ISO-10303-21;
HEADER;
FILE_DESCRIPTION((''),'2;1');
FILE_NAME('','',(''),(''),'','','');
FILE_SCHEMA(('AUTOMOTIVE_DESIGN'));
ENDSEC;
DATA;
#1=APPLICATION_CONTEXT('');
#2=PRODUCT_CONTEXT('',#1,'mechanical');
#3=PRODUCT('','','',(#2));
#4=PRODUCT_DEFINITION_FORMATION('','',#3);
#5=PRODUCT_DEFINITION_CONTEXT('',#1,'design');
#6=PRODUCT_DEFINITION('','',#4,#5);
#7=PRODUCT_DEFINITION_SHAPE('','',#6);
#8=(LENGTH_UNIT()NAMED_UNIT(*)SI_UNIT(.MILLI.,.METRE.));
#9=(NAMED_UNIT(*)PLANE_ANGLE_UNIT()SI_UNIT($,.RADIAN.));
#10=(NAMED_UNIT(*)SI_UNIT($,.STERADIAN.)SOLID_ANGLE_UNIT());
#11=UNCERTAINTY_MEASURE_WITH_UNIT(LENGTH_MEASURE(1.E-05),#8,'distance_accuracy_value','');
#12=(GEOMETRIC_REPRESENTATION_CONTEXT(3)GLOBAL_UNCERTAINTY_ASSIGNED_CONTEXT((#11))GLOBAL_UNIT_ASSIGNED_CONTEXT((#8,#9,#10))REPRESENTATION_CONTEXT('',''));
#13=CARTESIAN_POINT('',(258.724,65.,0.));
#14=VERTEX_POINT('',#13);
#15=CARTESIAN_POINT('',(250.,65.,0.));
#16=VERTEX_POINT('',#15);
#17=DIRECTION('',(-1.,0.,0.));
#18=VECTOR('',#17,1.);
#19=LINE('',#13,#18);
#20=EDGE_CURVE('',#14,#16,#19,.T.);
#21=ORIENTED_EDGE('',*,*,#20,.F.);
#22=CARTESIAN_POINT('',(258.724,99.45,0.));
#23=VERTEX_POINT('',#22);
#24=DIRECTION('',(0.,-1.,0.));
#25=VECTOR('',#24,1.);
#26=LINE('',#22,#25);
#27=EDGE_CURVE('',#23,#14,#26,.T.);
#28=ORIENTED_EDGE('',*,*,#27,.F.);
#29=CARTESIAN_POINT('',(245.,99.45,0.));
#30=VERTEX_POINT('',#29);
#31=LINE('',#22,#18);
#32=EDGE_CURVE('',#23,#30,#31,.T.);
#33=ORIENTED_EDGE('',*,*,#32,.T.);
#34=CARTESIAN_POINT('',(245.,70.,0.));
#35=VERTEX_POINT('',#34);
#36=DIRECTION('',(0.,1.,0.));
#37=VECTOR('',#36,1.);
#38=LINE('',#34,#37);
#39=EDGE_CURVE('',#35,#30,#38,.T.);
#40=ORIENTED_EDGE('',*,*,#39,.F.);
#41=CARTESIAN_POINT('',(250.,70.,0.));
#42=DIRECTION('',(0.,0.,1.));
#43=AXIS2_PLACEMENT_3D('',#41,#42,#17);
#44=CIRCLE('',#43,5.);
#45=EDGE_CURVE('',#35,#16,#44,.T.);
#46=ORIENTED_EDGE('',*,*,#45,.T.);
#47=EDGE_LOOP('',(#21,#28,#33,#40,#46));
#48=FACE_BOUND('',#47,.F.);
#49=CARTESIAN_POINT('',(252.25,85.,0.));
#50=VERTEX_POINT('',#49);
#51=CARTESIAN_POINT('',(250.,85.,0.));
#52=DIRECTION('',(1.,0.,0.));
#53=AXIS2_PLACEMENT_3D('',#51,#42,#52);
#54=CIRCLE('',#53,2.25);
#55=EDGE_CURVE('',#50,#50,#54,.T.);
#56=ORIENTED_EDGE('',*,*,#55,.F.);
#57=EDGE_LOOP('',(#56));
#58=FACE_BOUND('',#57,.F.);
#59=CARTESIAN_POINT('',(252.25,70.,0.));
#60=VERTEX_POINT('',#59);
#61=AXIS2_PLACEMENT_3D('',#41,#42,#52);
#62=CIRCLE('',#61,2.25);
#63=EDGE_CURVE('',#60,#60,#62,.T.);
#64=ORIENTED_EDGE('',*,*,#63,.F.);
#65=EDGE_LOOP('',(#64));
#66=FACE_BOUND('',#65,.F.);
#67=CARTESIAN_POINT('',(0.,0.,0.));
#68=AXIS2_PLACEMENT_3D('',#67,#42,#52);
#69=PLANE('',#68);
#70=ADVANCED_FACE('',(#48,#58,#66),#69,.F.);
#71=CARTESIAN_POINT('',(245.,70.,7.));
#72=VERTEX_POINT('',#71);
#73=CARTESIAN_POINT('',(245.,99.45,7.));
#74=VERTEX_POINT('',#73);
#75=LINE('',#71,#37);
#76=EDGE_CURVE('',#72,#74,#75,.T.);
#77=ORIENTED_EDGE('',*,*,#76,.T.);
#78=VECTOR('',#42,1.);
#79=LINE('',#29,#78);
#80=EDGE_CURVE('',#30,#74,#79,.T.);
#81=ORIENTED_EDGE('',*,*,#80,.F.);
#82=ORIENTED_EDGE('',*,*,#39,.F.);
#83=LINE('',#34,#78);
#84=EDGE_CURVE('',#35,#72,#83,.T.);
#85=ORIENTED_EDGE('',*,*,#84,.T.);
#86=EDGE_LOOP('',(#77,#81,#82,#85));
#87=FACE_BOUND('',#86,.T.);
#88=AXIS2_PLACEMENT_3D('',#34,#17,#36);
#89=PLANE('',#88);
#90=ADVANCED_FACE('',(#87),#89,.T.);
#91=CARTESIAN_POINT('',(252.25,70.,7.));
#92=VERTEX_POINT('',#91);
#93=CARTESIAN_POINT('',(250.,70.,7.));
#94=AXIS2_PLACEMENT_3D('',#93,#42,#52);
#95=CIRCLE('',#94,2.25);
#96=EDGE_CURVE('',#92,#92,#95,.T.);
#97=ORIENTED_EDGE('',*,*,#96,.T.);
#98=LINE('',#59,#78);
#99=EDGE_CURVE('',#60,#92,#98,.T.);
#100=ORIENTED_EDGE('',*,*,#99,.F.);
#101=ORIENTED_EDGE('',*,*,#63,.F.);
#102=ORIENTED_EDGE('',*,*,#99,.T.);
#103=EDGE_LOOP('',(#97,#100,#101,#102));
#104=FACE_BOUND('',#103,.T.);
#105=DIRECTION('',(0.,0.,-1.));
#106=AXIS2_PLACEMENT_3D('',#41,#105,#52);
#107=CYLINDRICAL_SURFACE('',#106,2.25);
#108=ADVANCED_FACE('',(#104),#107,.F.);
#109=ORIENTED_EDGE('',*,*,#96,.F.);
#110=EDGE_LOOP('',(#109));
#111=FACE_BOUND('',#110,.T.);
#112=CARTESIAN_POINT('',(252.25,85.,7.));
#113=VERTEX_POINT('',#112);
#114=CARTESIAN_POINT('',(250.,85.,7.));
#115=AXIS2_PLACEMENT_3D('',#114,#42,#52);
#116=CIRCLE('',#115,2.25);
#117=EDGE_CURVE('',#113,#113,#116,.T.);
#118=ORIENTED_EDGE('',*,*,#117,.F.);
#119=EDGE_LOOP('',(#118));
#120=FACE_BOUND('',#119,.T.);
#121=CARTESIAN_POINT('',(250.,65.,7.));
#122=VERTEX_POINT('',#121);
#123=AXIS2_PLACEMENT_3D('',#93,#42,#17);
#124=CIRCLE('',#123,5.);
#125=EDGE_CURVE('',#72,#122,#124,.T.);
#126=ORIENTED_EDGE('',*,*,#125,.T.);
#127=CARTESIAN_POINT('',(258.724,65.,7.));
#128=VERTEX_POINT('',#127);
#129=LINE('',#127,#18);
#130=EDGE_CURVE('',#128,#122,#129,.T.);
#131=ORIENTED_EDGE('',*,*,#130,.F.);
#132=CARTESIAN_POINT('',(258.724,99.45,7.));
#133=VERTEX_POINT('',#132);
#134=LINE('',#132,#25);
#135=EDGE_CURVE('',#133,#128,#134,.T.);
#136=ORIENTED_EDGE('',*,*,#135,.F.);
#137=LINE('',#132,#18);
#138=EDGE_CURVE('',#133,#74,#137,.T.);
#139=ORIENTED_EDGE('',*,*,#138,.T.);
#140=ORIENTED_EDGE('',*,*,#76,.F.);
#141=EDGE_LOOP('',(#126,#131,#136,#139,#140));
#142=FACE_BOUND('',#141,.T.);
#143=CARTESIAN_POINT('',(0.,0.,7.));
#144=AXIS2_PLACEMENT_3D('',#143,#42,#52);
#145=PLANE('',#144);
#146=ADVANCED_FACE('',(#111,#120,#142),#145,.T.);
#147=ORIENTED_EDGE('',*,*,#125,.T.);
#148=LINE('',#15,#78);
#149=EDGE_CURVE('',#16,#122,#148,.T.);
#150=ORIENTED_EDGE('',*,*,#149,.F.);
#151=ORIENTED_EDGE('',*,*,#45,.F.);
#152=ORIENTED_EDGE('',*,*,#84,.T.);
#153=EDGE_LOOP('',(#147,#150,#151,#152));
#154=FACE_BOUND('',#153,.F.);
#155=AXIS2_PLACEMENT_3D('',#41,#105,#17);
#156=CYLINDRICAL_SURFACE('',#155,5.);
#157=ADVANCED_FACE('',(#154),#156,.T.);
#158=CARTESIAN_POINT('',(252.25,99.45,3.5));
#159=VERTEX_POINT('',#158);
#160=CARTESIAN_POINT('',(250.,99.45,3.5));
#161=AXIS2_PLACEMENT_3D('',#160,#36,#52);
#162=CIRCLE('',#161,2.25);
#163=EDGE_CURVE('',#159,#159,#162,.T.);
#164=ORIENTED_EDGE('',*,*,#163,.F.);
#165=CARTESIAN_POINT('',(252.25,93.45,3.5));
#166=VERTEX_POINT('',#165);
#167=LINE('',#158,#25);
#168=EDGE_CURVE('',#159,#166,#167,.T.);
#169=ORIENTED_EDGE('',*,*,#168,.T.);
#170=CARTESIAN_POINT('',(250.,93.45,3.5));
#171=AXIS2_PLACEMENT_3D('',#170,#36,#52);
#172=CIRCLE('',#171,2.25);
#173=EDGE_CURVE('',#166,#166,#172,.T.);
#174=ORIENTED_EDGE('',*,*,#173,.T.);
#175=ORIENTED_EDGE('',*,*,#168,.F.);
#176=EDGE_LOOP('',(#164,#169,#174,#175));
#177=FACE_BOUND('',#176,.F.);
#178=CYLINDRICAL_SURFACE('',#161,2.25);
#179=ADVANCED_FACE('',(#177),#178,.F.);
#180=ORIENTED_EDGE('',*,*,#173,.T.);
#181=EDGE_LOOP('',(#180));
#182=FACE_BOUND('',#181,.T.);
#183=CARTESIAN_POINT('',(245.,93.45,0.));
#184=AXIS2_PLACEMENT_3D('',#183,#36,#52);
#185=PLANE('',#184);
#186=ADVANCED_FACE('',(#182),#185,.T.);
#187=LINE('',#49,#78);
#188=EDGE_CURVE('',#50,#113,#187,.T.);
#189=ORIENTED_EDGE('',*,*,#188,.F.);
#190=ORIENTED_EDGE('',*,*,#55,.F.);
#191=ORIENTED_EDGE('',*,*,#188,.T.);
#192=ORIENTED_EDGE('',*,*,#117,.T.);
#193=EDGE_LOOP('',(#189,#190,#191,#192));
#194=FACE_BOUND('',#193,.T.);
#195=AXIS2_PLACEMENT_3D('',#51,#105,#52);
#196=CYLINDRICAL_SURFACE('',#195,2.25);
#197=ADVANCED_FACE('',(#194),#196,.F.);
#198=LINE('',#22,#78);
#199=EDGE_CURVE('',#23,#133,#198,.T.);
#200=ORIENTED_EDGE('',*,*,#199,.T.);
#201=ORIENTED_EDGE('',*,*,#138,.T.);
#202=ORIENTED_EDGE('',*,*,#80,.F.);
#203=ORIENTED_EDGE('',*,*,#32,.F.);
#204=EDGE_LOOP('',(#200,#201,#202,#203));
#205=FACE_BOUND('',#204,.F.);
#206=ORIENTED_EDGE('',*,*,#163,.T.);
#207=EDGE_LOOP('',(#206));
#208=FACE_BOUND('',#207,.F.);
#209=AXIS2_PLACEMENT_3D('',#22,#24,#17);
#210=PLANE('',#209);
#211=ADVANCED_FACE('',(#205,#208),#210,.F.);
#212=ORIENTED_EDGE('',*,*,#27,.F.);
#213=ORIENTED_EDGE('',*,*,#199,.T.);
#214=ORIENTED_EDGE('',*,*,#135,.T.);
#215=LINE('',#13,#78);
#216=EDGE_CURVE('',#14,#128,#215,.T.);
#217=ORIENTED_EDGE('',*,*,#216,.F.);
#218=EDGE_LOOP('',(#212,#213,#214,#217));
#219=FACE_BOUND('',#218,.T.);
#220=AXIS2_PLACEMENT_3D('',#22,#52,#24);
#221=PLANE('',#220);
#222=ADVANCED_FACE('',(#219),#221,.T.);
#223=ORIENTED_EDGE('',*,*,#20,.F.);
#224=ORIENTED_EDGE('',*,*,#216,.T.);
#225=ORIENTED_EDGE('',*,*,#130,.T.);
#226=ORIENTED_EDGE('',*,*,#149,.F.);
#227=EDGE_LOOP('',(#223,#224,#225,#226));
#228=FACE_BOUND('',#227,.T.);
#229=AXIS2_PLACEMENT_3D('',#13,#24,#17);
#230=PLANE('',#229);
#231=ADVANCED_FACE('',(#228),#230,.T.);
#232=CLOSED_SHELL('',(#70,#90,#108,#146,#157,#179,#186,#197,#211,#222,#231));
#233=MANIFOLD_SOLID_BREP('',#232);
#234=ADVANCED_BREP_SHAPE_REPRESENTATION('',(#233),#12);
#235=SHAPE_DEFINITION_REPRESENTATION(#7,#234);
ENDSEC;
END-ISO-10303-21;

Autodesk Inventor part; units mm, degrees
ref_plane "YZ Plane" through (0, 0, 0) normal (1, 0, 0) x (0, 1, 0)
ref_plane "XZ Plane" through (0, 0, 0) normal (0, 1, 0) x (-1, 0, 0)
ref_plane "XY Plane" through (0, 0, 0) normal (0, 0, 1) x (1, 0, 0)
sketch "スケッチ1" plane through (0, 0, 0) normal (0, 0, 1) x (1, 0, 0)
  circle A0 centre (250, 70) radius 2.1 construction
  circle A1 centre (250, 85) radius 2.1 construction
  line L0 (258.724, 99.45) -> (245, 99.45) projected
  arc A2 (245, 70) -> (250, 65) centre (250, 70) ccw
  line L1 (245, 70) -> (245, 99.45)
  line L2 (258.724, 99.45) -> (258.724, 65)
  line L3 (258.724, 65) -> (250, 65)
  circle A3 centre (250, 70) radius 2.25
  circle A4 centre (250, 85) radius 2.25
  point P0 (0, 0)
  dimension "d0" = 4.5
extrude "押し出し1" add sketch "スケッチ1" along normal blind 7
sketch "スケッチ2" plane through (245, 99.45, 0) normal (0, 1, 0) x (1, 0, 0)
  circle A0 centre (5, -3.5) radius 1.65 construction
  circle A1 centre (5, -3.5) radius 2.25
  point P0 (-245, 0)
  dimension "d3" = 4.5
extrude "押し出し2" cut sketch "スケッチ2" against normal blind 6
properties part number "pci_slot_adapter_04"
